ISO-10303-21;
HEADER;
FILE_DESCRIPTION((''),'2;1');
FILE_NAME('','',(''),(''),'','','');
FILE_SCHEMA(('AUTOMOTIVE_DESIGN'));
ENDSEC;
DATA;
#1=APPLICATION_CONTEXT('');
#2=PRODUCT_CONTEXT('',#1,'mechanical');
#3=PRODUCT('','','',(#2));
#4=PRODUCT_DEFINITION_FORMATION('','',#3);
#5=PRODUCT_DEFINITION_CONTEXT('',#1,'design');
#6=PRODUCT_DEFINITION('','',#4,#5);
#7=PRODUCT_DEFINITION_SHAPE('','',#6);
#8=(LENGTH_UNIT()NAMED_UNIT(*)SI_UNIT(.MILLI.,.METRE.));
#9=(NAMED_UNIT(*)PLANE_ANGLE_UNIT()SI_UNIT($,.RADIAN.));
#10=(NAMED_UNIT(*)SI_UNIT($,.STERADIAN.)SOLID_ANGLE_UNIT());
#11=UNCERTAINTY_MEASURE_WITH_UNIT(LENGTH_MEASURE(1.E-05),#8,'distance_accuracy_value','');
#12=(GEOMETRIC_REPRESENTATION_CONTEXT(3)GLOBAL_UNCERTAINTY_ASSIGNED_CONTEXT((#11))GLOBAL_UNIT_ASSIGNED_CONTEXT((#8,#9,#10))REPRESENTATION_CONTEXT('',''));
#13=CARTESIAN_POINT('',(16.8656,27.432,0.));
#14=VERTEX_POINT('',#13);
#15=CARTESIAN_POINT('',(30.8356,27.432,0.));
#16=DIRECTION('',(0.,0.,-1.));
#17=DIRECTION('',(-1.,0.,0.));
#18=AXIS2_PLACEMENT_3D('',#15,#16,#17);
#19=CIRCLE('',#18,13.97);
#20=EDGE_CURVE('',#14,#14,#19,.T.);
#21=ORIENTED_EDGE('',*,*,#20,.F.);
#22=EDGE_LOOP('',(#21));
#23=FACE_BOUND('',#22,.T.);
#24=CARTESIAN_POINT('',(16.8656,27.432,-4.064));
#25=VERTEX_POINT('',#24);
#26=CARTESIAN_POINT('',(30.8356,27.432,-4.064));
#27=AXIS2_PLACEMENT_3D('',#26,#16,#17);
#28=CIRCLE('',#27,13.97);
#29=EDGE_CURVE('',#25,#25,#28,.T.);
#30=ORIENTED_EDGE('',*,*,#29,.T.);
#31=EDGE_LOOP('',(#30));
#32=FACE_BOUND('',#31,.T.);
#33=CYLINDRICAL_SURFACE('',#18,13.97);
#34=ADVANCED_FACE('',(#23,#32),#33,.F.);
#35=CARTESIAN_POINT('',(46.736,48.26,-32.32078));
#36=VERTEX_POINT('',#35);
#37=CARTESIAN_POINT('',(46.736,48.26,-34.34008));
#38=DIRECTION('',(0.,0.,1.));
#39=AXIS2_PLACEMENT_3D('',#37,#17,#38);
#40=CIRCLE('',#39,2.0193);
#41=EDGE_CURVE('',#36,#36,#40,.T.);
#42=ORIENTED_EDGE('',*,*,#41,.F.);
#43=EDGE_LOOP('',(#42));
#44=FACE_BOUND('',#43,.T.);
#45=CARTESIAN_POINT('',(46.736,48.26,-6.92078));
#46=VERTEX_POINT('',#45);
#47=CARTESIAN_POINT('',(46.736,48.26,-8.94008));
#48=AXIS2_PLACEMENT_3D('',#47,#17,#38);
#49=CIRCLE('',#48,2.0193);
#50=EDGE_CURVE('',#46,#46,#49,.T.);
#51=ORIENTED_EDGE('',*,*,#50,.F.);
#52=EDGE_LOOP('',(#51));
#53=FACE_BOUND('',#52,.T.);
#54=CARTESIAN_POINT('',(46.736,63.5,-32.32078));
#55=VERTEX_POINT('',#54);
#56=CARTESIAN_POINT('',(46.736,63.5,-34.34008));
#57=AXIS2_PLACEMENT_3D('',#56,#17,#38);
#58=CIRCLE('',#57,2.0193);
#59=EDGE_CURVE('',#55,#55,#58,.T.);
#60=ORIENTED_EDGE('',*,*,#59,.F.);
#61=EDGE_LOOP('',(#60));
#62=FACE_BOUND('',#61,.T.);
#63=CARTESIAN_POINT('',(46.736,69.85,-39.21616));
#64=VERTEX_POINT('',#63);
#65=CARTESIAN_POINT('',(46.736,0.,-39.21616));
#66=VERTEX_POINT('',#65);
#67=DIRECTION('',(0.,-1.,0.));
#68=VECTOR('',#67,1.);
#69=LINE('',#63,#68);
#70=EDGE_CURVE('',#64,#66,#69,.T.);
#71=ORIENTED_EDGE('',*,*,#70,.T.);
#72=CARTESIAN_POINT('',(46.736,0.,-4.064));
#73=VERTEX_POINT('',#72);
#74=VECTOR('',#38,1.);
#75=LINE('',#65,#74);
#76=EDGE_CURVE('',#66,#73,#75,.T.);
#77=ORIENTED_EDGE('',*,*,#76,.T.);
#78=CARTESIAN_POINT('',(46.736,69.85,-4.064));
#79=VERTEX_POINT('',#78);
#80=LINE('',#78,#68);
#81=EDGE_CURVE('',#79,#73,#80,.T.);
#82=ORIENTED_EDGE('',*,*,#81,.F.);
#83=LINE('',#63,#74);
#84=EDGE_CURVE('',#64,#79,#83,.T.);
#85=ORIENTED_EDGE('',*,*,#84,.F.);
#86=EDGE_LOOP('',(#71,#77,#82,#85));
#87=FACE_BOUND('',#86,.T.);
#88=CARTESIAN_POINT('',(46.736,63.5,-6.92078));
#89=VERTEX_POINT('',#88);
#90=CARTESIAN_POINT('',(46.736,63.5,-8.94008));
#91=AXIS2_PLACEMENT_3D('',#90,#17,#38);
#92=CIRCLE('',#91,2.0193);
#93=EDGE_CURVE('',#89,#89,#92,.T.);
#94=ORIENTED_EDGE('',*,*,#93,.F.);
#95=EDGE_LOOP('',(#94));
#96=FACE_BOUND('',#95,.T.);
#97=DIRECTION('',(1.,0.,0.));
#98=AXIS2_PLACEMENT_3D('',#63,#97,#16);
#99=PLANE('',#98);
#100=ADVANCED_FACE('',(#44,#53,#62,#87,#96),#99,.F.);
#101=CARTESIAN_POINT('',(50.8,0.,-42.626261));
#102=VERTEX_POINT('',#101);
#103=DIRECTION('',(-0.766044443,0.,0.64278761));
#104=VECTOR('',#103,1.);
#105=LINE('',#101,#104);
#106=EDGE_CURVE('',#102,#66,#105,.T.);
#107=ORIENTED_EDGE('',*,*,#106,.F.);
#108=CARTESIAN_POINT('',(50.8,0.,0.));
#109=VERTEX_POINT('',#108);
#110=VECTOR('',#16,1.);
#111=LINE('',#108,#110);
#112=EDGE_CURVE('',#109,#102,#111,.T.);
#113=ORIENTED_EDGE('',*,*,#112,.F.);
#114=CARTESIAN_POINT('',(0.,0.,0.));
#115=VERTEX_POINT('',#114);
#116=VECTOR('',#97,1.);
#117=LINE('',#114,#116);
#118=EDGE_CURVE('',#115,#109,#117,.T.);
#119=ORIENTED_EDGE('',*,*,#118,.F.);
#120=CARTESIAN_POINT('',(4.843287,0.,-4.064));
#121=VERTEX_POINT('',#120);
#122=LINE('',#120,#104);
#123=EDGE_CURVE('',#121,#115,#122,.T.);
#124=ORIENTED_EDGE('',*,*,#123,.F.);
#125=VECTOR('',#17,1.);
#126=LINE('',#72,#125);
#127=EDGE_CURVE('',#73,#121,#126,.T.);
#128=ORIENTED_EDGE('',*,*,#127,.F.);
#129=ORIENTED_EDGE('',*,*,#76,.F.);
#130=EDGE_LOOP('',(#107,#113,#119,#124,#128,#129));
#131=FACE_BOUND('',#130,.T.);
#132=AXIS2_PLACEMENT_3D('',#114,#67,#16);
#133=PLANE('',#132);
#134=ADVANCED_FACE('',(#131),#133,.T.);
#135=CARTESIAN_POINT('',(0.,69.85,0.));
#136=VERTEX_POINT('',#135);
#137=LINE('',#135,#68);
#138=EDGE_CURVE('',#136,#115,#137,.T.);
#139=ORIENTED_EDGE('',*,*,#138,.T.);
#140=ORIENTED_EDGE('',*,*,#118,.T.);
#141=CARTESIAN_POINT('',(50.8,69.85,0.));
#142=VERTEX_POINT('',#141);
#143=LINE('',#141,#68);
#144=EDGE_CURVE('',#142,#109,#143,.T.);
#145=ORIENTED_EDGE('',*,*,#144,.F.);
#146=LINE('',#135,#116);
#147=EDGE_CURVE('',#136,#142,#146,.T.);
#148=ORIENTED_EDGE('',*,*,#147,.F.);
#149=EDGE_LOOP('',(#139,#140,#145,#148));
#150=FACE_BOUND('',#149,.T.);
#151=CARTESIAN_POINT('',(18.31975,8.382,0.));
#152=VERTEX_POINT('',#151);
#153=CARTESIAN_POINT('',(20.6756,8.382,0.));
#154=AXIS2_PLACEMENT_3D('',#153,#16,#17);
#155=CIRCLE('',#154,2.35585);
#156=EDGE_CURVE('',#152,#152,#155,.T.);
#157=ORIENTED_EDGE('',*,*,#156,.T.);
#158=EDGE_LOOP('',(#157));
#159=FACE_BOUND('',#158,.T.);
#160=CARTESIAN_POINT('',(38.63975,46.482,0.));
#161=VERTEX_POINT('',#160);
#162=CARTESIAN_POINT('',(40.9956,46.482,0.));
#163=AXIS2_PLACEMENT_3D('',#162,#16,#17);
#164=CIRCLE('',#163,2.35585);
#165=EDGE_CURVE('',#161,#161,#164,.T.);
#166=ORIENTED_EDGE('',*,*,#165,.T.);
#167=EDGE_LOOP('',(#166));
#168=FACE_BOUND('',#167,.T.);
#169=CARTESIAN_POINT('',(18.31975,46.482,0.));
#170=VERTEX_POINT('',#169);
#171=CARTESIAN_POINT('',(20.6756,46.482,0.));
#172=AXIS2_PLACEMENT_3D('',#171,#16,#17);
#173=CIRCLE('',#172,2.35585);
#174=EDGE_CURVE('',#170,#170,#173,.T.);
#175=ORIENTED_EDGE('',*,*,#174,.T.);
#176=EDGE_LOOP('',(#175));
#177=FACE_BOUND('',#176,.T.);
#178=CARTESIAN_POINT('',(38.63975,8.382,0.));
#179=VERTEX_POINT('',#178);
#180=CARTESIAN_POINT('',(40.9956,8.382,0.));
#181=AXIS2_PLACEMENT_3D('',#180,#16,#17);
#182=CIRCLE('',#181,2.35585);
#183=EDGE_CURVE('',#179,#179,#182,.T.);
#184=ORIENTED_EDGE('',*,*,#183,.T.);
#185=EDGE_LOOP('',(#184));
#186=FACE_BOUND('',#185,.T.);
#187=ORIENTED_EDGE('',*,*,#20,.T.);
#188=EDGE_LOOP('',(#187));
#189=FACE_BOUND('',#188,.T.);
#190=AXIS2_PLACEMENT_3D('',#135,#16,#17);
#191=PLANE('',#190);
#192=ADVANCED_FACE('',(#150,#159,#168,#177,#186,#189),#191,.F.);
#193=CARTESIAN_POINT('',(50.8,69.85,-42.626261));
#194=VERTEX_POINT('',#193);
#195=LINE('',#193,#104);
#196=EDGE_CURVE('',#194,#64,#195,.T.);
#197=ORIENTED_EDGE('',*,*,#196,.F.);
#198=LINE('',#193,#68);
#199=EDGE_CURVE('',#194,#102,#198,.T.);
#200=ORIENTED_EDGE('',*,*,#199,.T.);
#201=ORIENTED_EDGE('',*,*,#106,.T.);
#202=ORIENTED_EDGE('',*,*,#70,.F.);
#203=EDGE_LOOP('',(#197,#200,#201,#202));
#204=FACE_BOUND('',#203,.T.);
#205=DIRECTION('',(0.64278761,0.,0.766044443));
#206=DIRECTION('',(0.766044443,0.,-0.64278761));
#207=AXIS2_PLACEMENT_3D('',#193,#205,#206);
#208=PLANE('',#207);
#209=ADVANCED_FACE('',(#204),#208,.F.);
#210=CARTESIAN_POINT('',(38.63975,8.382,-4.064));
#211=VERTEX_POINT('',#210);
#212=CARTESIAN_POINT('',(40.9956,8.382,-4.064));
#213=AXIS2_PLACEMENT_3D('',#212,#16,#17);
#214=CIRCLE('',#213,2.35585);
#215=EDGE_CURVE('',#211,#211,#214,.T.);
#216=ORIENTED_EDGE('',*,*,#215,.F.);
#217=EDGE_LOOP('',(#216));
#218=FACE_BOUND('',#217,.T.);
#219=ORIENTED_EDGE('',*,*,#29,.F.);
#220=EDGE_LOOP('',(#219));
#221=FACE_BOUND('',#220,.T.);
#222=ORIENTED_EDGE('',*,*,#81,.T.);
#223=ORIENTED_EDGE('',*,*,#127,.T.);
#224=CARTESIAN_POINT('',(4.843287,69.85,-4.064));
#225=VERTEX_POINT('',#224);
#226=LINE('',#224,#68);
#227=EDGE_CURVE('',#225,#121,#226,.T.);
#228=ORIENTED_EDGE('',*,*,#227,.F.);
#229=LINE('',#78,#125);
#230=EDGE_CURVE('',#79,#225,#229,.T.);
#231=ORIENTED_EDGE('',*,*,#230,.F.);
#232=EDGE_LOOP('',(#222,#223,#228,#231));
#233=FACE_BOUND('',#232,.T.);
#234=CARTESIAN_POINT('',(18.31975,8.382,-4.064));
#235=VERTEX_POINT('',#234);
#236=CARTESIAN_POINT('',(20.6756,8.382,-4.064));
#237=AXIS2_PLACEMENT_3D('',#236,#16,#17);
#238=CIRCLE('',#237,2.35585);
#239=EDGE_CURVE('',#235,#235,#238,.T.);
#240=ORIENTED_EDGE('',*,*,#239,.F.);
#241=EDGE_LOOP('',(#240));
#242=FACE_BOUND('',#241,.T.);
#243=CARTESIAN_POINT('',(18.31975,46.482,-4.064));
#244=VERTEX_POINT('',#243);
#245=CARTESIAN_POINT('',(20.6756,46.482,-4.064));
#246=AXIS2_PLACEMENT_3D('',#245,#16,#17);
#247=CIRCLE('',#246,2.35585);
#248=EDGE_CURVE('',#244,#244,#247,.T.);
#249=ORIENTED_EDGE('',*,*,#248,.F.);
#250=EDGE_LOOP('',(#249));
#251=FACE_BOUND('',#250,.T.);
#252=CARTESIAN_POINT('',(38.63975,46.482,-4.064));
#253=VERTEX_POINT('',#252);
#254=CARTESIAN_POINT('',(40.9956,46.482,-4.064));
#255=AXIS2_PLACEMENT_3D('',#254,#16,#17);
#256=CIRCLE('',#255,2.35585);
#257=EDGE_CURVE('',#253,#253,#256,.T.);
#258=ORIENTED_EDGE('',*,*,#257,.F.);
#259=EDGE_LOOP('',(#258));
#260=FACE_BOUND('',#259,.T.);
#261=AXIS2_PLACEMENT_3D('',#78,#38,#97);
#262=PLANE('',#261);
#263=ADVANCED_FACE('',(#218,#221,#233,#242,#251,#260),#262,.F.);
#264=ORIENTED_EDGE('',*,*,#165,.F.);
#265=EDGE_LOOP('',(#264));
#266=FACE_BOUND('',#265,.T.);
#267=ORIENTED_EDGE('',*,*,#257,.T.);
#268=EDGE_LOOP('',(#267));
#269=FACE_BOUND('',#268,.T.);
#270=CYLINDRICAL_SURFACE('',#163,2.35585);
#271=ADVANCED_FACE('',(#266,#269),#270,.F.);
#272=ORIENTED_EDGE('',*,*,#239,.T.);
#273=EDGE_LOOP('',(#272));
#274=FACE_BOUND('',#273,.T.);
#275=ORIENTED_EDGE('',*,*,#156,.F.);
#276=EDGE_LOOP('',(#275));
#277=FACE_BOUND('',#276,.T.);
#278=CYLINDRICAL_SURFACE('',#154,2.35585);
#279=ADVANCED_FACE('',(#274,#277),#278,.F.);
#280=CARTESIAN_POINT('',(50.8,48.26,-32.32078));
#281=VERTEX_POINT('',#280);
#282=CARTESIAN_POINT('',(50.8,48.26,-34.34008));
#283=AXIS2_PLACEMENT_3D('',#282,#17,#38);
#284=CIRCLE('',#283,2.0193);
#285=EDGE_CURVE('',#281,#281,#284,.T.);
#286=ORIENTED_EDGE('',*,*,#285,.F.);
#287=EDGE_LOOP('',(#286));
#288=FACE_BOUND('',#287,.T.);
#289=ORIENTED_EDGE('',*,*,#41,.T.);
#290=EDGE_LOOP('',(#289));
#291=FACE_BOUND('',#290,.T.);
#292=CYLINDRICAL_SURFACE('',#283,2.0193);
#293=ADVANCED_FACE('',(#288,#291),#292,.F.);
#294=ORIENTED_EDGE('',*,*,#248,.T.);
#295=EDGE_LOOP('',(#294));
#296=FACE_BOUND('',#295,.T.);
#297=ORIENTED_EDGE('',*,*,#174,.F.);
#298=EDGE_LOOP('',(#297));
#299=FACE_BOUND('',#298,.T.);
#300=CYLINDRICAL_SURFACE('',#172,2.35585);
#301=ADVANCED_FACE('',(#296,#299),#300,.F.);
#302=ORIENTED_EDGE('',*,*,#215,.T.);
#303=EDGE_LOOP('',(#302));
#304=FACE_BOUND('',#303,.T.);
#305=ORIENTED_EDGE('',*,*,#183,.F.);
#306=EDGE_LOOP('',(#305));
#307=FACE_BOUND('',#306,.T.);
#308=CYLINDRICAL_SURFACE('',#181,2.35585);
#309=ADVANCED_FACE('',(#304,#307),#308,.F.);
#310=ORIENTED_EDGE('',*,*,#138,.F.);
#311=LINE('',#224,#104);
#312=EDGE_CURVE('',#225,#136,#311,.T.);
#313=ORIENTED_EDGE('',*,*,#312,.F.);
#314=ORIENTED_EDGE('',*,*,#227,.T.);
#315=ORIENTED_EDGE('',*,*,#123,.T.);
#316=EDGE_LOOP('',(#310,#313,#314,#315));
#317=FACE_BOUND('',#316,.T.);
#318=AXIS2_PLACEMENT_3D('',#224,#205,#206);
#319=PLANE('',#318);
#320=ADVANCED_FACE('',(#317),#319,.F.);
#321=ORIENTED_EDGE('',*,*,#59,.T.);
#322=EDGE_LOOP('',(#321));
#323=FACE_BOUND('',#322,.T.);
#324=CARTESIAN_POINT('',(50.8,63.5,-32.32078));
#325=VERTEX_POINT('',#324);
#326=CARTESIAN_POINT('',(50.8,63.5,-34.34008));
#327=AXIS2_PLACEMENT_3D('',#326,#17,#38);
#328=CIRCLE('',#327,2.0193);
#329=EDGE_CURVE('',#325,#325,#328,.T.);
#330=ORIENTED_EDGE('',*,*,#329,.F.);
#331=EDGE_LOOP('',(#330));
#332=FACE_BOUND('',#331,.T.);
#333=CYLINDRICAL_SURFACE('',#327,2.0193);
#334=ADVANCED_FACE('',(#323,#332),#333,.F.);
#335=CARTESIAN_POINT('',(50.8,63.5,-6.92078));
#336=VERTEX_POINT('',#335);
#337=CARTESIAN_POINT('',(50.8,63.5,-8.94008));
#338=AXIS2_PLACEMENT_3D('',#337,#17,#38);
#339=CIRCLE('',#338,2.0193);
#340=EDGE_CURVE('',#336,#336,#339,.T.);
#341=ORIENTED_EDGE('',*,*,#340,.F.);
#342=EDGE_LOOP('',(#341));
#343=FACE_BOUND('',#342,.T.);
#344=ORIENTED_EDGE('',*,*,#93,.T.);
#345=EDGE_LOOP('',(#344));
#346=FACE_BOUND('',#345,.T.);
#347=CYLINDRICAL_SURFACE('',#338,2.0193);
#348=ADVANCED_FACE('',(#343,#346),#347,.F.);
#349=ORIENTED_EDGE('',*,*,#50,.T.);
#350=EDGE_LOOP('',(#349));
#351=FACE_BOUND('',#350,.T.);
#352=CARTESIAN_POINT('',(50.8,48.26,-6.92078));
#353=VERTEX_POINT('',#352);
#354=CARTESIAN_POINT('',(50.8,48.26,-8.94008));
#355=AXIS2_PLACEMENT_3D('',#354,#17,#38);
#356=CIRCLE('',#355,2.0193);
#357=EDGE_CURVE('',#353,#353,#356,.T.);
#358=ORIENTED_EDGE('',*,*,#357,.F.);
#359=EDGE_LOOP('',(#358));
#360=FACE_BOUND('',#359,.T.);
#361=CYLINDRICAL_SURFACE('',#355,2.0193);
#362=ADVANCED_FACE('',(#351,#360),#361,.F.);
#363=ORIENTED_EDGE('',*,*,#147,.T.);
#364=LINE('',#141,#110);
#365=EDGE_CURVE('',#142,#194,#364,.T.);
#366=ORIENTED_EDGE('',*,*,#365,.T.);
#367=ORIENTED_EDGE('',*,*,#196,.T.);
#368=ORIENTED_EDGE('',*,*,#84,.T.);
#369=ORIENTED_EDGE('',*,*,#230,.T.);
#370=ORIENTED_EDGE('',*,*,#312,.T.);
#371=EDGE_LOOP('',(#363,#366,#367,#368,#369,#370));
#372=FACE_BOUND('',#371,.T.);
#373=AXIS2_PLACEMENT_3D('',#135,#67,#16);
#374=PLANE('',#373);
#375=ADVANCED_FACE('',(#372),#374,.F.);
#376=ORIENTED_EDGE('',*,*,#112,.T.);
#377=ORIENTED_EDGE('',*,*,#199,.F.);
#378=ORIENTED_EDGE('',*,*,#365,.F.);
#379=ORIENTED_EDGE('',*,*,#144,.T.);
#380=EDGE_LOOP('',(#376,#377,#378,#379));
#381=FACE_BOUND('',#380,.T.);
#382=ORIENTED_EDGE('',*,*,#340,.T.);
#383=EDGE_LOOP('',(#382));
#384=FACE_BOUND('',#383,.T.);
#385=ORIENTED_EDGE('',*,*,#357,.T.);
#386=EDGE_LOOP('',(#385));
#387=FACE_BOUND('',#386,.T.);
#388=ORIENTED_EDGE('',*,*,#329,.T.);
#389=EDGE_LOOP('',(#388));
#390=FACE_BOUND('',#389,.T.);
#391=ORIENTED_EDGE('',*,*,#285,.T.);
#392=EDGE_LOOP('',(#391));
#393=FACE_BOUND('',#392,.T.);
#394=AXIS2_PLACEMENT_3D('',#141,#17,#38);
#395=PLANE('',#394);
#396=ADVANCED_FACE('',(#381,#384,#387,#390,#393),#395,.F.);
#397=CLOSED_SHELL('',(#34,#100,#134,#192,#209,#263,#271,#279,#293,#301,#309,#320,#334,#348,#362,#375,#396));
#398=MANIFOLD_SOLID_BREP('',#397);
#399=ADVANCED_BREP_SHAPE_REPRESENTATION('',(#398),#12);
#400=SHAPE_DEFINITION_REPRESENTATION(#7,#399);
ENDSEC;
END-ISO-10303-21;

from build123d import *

# Parameters (mm, degrees)
BOSS_EXTRUDE1_DEPTH = 69.85
SKETCH2_R           = 2.0193
CUT_EXTRUDE1_DEPTH  = 5.064
SKETCH3_R           = 2.35585
SKETCH3_R_2         = 13.97
CUT_EXTRUDE2_DEPTH  = 5.064


with BuildPart() as part:
    # Sketch1 → Boss-Extrude1 (new body)
    with BuildSketch(Plane(origin=(0, 0, 0), x_dir=(1, 0, 0), z_dir=(0, 1, 0))):
        Polygon((0, 0), (50.8, 0), (50.8, 42.626261264), (46.736, 39.216160363), (46.736, 4.064), (4.8432866, 4.064), align=None)
    extrude(amount=BOSS_EXTRUDE1_DEPTH)

    # Sketch2 → Cut-Extrude1 (cut, through all)
    with BuildSketch(Plane.ZY.offset(-46.736)):
        with Locations((-34.340080181, 63.5)):
            Circle(SKETCH2_R)
        with Locations((-8.940080181, 63.5)):
            Circle(SKETCH2_R)
        with Locations((-8.940080181, 48.26)):
            Circle(SKETCH2_R)
        with Locations((-34.340080181, 48.26)):
            Circle(SKETCH2_R)
    extrude(amount=-CUT_EXTRUDE1_DEPTH, mode=Mode.SUBTRACT)

    # Sketch3 → Cut-Extrude2 (cut, through all)
    with BuildSketch(Plane(origin=(0, 0, -4.064), x_dir=(-1, 0, 0), z_dir=(0, 0, -1))):
        with Locations((-40.9956, 46.482)):
            Circle(SKETCH3_R)
        with Locations((-20.6756, 46.482)):
            Circle(SKETCH3_R)
        with Locations((-20.6756, 8.382)):
            Circle(SKETCH3_R)
        with Locations((-40.9956, 8.382)):
            Circle(SKETCH3_R)
        with Locations((-30.8356, 27.432)):
            Circle(SKETCH3_R_2)
    extrude(amount=-CUT_EXTRUDE2_DEPTH, mode=Mode.SUBTRACT)


solid = part.part
